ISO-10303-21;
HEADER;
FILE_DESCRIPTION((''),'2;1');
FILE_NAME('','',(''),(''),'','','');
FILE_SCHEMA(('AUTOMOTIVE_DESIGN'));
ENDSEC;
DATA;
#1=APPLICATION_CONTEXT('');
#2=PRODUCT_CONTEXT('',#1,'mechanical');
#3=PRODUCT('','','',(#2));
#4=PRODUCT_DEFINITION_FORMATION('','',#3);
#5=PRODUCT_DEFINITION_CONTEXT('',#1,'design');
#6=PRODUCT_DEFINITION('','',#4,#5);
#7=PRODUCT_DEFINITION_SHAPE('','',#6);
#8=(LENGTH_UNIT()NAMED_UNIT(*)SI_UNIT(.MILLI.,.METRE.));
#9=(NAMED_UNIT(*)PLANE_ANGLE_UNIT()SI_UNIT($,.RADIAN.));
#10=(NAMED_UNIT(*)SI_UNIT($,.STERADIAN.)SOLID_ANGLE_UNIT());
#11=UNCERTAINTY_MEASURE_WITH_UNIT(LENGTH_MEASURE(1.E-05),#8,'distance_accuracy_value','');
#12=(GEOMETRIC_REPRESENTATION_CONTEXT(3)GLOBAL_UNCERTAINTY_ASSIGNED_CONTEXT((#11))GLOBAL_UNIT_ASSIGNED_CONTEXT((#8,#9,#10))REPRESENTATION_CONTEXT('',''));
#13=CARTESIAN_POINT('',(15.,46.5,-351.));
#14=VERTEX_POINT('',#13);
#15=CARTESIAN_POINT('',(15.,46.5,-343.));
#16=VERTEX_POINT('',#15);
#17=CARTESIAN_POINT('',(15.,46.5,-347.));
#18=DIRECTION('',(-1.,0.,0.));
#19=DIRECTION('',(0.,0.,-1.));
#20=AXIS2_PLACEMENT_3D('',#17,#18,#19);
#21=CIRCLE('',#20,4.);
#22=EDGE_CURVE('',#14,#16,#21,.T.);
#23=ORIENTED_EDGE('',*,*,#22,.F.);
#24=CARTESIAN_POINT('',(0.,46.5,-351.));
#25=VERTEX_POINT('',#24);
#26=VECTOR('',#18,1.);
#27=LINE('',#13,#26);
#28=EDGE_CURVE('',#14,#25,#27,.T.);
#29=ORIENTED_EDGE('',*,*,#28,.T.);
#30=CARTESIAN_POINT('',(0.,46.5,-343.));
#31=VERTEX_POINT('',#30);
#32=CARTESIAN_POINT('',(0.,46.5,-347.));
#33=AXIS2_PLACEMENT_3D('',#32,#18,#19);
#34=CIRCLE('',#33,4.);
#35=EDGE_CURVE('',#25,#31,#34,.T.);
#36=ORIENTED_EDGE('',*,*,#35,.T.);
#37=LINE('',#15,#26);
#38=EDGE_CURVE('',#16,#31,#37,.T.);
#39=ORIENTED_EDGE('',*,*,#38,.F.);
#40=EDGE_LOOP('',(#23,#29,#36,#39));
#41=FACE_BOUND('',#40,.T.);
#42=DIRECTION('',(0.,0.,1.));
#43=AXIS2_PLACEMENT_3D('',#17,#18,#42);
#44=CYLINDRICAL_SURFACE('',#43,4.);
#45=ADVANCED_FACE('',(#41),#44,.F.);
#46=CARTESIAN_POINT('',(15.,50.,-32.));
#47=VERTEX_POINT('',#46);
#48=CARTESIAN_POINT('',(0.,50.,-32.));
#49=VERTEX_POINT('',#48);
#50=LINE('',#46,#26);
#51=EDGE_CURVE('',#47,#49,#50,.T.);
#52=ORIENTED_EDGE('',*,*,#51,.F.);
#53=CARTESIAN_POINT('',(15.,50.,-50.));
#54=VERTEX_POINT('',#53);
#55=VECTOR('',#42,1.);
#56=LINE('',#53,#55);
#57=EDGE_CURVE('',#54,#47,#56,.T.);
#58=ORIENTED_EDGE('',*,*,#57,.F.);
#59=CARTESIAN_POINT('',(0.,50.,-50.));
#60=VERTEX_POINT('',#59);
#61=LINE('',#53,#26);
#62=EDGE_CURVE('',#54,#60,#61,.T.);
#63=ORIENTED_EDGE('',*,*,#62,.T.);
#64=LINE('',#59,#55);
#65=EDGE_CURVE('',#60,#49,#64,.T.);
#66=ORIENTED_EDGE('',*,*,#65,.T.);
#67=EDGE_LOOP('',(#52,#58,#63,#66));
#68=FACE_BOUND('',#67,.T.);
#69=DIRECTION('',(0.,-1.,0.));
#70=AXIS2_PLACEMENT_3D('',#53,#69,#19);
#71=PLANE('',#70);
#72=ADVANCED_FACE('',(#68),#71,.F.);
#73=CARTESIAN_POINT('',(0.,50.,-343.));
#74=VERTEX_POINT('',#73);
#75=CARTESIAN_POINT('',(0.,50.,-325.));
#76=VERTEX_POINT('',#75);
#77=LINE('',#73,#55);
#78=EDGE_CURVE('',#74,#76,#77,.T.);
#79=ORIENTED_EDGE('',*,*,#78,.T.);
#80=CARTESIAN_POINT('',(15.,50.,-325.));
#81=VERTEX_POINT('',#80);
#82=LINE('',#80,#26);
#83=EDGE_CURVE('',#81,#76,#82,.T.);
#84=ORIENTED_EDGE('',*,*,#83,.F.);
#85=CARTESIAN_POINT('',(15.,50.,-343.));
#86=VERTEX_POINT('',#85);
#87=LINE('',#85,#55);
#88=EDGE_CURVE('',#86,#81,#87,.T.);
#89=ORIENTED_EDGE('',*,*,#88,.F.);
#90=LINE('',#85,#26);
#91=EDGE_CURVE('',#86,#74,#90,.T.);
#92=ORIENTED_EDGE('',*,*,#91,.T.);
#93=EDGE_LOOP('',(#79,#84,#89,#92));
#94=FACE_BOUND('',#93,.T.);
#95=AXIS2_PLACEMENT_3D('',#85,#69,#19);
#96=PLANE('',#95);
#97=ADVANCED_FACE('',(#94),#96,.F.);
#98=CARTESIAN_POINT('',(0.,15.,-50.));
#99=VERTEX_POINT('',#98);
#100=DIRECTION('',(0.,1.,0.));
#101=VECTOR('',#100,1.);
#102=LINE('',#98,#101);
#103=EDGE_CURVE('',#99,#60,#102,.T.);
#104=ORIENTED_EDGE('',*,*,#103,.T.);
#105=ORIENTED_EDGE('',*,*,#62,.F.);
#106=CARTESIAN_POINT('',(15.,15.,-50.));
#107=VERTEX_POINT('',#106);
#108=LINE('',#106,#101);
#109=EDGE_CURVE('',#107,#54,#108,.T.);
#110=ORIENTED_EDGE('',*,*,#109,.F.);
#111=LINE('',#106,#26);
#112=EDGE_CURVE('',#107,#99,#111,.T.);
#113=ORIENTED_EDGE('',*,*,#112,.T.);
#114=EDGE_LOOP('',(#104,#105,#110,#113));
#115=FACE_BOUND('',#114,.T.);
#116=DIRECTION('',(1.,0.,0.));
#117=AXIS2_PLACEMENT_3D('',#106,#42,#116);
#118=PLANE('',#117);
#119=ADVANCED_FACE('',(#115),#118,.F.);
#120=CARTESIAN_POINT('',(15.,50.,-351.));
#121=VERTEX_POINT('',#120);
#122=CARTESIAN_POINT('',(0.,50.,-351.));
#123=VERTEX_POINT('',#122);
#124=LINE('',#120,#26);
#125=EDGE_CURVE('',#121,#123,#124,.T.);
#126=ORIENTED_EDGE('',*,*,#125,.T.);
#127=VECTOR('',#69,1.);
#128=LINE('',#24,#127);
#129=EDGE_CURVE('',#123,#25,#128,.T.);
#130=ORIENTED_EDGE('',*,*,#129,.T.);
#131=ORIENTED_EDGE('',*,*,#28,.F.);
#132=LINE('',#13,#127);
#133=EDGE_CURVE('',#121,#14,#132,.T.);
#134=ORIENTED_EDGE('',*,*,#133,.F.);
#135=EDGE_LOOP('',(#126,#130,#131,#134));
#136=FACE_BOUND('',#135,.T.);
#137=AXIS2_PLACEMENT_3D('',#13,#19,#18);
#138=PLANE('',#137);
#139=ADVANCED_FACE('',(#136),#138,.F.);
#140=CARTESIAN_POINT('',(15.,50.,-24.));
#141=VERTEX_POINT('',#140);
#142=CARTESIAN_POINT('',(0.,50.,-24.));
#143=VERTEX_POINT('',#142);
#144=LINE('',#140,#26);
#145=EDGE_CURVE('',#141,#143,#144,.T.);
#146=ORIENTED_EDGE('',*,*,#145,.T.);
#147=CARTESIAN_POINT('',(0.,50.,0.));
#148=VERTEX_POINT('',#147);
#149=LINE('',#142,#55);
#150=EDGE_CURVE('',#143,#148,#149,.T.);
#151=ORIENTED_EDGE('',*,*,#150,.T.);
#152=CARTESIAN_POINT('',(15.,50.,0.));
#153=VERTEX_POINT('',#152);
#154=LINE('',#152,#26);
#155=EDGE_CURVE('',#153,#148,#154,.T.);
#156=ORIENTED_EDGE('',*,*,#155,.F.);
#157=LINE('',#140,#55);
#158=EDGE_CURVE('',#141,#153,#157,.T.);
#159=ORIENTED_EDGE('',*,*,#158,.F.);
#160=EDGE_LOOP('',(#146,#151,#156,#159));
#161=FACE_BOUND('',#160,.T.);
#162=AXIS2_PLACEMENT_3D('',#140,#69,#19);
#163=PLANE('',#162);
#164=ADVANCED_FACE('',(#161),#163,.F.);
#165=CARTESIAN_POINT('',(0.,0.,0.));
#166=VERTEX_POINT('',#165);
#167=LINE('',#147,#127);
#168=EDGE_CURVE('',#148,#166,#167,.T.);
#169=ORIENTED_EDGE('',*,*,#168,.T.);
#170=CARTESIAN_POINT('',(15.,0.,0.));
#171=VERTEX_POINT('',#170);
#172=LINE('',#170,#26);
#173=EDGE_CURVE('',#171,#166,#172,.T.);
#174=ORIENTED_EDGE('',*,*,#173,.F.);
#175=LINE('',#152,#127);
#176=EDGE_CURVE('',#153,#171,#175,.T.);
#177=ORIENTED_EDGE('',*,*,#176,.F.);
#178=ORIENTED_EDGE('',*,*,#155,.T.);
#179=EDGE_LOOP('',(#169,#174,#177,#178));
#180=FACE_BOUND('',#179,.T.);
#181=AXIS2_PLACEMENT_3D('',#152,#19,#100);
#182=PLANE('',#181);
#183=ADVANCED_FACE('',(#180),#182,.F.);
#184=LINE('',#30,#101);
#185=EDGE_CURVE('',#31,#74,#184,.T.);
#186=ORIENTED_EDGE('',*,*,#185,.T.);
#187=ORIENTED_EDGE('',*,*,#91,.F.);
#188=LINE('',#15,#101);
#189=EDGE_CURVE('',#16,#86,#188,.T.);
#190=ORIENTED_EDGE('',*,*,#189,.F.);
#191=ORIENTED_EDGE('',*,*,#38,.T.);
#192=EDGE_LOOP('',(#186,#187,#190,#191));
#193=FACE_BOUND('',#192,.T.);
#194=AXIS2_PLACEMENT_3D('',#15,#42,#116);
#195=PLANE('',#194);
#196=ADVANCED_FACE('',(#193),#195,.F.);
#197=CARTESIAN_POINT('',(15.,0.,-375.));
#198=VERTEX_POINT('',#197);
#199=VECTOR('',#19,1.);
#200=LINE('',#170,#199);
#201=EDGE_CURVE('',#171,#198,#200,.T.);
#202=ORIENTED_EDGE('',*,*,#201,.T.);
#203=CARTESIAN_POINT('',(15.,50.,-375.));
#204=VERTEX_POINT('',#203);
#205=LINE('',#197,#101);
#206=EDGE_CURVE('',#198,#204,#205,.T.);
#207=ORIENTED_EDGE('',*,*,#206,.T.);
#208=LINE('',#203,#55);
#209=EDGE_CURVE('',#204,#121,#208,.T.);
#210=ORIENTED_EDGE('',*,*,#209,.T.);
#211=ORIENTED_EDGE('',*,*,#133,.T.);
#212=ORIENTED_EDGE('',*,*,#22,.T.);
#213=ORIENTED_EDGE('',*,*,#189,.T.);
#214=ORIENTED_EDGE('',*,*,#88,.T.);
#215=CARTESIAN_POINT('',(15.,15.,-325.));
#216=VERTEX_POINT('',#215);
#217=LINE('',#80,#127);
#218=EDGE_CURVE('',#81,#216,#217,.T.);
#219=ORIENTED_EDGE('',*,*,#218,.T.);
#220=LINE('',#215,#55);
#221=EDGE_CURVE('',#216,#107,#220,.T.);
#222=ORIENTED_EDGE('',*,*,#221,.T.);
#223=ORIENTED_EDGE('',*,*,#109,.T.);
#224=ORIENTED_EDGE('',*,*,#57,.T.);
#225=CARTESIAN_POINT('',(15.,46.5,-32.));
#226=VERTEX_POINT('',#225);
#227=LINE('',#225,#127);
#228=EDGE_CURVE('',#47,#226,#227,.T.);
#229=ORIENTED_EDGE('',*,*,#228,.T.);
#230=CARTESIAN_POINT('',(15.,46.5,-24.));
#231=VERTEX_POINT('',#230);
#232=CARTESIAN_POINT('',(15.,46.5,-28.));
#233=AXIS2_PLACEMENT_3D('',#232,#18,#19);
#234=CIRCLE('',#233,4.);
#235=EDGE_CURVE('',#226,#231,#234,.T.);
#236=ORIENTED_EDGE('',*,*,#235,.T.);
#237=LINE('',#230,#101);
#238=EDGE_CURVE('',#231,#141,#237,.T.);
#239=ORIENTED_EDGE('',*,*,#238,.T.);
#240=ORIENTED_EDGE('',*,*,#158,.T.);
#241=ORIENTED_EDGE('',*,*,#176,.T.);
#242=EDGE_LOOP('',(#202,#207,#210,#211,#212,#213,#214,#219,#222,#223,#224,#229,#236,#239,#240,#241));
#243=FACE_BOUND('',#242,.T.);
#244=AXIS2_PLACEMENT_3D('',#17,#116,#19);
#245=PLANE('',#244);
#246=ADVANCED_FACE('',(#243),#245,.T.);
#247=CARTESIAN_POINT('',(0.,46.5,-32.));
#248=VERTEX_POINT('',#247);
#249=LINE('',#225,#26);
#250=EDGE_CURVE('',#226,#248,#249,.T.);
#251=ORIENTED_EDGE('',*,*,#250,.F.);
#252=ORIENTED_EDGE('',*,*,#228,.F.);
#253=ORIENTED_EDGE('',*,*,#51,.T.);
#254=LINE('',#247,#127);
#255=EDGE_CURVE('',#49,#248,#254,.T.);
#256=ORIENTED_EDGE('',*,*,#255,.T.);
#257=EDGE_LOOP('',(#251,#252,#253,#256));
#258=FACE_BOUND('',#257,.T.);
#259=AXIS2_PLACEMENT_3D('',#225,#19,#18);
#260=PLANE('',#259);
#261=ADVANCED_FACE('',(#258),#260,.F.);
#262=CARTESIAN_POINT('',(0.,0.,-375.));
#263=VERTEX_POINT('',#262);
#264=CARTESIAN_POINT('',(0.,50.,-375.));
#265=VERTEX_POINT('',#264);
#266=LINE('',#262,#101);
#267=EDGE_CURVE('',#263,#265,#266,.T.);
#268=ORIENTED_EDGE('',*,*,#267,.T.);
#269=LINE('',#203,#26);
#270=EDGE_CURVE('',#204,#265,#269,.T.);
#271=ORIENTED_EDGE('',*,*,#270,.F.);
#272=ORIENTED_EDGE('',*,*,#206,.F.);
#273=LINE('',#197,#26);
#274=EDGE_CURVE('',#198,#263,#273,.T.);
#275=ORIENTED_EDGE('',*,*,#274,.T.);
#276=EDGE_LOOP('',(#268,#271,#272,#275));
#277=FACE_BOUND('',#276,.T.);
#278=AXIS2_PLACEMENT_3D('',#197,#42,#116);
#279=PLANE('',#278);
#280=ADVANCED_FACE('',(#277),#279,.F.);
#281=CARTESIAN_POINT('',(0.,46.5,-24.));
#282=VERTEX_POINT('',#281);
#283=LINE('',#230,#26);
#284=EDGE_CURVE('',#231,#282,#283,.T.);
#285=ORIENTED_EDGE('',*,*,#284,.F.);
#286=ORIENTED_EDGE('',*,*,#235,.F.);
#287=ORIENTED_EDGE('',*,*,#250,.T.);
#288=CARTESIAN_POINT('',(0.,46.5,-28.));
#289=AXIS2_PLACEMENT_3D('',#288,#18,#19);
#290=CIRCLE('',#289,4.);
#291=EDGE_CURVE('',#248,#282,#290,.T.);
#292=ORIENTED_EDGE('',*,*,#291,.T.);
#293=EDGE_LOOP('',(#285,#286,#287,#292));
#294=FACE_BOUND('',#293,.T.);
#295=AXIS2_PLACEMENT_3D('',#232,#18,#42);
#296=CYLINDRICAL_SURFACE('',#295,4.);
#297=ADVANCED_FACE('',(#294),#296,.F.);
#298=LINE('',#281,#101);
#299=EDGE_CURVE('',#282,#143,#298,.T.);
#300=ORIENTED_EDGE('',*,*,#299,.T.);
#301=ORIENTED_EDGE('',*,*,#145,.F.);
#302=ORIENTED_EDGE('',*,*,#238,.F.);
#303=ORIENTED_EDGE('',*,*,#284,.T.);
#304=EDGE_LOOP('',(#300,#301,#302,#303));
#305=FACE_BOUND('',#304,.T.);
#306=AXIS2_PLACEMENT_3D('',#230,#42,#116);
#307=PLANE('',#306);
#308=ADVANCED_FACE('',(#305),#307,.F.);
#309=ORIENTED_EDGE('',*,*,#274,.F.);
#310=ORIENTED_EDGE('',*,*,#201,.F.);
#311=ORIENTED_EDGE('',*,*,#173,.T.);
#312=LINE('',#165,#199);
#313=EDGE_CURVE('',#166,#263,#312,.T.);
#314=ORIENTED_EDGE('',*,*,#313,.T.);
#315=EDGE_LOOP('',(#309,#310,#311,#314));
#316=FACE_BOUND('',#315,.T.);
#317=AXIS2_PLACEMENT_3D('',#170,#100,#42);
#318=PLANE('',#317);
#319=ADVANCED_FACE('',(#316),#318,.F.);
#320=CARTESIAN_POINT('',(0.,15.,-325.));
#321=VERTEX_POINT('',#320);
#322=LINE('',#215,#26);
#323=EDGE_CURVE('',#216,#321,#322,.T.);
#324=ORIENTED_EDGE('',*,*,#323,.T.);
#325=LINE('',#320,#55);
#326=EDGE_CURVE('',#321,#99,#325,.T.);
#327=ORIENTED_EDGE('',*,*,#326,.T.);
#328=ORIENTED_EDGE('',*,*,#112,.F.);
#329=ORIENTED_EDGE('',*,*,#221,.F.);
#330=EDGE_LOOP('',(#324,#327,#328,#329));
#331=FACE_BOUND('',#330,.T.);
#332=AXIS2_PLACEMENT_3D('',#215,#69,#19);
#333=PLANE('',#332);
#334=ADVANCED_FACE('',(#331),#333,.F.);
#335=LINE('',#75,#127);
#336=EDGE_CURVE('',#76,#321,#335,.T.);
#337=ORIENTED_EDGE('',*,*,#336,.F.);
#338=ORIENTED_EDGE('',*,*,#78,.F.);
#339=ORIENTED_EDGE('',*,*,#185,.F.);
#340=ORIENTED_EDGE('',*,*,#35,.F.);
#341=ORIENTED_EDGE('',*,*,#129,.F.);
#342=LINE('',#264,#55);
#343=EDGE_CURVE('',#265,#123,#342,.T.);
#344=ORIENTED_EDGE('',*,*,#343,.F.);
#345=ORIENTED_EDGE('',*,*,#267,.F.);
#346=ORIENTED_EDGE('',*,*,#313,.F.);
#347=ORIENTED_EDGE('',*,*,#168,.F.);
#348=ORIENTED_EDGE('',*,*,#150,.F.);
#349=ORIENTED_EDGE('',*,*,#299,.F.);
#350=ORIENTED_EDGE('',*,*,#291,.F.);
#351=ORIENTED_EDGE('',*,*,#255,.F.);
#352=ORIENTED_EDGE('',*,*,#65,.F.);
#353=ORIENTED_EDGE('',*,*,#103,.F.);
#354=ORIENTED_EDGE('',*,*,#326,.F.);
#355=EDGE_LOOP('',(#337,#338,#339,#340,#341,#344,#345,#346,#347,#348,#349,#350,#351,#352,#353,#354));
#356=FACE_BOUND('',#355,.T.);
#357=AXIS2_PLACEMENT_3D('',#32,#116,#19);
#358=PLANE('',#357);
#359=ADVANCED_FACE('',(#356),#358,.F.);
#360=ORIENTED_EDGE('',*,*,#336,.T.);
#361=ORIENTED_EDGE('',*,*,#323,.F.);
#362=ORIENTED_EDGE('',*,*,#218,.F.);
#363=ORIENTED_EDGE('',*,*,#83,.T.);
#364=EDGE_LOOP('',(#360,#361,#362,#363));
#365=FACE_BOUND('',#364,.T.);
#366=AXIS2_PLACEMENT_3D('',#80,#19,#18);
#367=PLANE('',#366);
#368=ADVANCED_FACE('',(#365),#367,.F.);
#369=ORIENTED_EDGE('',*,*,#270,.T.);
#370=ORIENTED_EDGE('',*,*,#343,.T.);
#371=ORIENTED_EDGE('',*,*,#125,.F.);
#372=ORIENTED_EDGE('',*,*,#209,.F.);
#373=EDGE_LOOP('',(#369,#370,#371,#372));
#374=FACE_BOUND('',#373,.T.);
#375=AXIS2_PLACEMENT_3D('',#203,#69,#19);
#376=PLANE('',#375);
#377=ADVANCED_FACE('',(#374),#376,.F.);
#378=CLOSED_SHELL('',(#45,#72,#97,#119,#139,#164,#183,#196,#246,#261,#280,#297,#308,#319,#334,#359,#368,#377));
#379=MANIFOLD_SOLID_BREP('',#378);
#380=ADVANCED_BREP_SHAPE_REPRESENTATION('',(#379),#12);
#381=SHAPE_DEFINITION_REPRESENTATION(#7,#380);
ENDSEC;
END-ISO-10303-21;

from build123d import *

# Parameters (mm, degrees)
SALIENTE_EXTRUIR3_DEPTH = 15


with BuildPart() as part:
    # Croquis2 → Saliente-Extruir3 (new body)
    with BuildSketch(Plane(origin=(0, 0, 0), x_dir=(0, 0, -1), z_dir=(1, 0, 0))):
        with BuildLine():
            Line((0, 0), (375, 0))
            Line((375, 0), (375, 50))
            Line((375, 50), (351, 50))
            Line((351, 50), (351, 46.5))
            ThreePointArc((351, 46.5), (347, 42.5), (343, 46.5))
            Line((343, 46.5), (343, 50))
            Line((343, 50), (325, 50))
            Line((325, 50), (325, 15))
            Line((325, 15), (50, 15))
            Line((50, 15), (50, 50))
            Line((50, 50), (32, 50))
            Line((32, 50), (32, 46.5))
            ThreePointArc((32, 46.5), (28, 42.5), (24, 46.5))
            Line((24, 46.5), (24, 50))
            Line((24, 50), (0, 50))
            Line((0, 50), (0, 0))
        make_face()
    extrude(amount=SALIENTE_EXTRUIR3_DEPTH)


solid = part.part
